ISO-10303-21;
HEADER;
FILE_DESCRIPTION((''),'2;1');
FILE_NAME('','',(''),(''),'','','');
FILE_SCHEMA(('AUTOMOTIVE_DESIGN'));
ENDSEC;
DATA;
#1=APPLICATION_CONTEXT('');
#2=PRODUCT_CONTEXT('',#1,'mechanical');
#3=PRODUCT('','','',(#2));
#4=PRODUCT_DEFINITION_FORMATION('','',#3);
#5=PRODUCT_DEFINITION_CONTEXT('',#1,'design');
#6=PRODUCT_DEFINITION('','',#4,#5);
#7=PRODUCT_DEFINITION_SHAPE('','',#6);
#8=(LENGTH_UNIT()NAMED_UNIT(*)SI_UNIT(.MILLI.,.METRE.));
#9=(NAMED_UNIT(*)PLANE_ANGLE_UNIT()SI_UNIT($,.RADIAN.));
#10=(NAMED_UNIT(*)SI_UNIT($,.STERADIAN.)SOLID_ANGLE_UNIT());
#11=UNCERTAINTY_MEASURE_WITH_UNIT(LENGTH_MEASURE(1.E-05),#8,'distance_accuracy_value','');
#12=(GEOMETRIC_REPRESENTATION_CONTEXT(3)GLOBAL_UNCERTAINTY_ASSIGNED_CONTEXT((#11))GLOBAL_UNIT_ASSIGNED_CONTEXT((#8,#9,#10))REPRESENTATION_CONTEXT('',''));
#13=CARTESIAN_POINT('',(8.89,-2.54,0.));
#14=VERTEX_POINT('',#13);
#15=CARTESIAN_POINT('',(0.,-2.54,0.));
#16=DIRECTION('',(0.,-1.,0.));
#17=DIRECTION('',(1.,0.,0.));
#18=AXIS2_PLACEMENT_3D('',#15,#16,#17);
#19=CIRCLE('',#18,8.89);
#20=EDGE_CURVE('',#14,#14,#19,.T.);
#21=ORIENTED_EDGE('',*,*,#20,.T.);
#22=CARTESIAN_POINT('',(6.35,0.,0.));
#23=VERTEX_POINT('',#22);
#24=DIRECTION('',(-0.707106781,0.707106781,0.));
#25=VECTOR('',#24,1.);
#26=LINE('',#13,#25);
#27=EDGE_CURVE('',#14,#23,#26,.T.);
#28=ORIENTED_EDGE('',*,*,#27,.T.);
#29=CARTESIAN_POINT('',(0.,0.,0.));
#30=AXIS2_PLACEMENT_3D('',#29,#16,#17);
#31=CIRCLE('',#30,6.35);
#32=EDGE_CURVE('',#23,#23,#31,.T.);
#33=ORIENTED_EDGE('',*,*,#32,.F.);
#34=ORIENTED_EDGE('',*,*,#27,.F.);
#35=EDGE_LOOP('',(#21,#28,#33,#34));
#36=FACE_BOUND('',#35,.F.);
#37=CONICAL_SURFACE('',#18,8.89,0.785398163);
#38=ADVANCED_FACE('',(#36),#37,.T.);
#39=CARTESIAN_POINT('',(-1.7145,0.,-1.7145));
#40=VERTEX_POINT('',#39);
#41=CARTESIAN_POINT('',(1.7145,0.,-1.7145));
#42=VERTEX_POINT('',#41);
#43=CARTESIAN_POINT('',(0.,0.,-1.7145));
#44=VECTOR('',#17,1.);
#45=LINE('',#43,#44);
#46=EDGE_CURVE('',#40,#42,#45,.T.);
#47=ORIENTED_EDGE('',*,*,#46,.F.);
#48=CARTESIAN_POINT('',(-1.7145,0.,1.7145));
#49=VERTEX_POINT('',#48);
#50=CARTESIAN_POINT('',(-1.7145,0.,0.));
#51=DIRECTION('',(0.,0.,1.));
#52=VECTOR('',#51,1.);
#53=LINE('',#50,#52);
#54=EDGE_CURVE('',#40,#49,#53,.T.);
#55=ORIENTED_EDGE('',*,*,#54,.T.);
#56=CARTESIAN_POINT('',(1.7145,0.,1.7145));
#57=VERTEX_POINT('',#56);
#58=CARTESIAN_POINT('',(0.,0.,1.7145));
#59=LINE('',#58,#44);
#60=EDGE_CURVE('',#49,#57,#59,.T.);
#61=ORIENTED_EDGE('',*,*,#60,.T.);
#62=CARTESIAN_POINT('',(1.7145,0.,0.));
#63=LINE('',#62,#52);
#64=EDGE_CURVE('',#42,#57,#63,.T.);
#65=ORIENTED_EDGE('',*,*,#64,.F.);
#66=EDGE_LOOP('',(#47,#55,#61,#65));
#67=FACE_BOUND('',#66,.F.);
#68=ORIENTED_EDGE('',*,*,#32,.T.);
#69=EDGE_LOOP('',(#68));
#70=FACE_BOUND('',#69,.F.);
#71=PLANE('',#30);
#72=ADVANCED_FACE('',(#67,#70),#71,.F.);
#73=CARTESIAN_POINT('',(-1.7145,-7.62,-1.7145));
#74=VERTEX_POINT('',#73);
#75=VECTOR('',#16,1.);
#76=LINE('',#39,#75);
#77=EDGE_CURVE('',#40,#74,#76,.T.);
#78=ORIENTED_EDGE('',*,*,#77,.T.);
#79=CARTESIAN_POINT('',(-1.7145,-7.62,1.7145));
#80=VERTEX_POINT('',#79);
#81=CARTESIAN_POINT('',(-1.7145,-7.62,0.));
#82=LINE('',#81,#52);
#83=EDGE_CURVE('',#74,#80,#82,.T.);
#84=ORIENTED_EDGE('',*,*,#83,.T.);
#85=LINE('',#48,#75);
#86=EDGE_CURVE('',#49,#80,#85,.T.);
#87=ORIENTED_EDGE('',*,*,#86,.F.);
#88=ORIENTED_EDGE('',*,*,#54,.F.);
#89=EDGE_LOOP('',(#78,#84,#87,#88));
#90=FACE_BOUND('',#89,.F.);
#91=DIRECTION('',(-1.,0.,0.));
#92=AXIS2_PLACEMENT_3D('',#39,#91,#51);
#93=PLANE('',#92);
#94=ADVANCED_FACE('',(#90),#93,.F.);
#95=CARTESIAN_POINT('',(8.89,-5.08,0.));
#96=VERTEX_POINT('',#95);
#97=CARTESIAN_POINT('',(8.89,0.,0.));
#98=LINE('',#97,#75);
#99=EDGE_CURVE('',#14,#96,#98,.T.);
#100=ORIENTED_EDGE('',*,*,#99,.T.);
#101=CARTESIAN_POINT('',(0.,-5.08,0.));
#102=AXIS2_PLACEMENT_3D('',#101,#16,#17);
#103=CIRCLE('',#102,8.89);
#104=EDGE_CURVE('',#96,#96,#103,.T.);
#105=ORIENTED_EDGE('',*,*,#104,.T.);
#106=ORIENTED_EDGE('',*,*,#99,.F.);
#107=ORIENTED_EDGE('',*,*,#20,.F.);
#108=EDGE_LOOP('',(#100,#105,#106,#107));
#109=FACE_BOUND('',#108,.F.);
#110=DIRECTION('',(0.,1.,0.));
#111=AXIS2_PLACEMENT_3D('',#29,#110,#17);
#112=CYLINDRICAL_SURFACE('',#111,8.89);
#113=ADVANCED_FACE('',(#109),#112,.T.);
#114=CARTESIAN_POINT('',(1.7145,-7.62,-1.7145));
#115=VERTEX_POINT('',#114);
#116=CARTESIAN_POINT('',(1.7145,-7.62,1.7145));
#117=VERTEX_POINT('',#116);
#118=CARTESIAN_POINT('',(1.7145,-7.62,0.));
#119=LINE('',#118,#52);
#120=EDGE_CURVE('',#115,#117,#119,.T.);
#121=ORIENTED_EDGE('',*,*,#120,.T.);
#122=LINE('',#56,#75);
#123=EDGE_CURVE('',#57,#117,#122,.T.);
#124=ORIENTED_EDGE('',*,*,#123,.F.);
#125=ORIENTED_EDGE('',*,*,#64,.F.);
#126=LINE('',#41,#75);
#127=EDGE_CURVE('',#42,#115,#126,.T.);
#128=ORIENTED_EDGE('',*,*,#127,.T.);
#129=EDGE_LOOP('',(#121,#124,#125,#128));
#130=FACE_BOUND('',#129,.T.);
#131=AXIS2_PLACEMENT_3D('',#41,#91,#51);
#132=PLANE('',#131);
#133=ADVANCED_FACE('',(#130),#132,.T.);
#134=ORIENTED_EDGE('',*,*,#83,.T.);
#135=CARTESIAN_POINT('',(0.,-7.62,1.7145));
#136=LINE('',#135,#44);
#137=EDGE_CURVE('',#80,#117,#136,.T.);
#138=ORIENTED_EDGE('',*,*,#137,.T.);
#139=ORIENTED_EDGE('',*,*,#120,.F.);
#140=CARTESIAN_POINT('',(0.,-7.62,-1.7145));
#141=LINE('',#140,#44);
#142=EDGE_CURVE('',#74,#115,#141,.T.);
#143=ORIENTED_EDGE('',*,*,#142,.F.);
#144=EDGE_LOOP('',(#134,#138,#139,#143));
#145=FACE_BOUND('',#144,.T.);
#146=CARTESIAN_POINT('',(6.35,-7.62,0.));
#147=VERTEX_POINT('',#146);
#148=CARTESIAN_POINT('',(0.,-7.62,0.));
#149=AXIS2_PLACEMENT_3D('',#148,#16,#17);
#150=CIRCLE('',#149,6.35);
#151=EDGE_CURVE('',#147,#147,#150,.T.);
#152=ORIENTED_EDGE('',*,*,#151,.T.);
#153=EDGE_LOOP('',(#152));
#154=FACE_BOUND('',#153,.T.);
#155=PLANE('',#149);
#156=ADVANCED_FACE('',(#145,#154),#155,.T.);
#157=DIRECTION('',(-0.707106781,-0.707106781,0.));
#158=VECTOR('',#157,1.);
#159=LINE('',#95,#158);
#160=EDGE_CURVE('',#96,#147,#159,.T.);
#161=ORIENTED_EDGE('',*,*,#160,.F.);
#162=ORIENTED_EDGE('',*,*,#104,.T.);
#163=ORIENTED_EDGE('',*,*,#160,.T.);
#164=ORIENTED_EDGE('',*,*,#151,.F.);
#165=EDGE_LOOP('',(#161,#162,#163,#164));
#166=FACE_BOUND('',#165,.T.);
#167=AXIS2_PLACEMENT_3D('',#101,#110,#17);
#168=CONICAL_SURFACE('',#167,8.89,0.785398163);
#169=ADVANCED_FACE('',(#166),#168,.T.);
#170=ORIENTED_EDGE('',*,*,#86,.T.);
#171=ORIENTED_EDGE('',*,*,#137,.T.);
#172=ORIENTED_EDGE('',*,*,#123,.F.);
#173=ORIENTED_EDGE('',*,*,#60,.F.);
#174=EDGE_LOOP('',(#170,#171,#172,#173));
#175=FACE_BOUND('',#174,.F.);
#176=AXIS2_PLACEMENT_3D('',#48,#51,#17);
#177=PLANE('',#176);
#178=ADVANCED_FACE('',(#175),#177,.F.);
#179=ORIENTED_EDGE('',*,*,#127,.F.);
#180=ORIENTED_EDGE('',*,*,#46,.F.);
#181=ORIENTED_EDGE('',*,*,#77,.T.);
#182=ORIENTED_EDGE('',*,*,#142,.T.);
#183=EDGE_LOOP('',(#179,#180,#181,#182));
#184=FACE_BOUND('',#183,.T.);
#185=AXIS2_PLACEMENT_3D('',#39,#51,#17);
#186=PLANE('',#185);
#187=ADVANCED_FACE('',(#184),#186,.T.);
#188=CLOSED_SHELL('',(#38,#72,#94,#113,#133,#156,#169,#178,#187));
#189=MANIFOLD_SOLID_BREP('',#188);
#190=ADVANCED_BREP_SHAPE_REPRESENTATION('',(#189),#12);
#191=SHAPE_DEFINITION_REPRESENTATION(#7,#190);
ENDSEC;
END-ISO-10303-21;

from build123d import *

# Parameters (mm, degrees)
F0_R     = 8.89
F0_W     = 3.429
F0_H     = 3.429
F1_DEPTH = 7.62
F2_SIZE  = 2.54


with BuildPart() as f1:
    # F0 (on Front) → F1 (new body)
    with BuildSketch(Plane.XZ):
        Circle(F0_R)
        Rectangle(F0_W, F0_H, mode=Mode.SUBTRACT)
    extrude(amount=F1_DEPTH)

    # F2
    f2_edges = [f1.edges().sort_by_distance(p)[0] for p in [
        (-8.89, 0, 0),
        (-8.89, -7.62, 0),
    ]]
    chamfer(f2_edges, length=F2_SIZE)


solid = f1.part
